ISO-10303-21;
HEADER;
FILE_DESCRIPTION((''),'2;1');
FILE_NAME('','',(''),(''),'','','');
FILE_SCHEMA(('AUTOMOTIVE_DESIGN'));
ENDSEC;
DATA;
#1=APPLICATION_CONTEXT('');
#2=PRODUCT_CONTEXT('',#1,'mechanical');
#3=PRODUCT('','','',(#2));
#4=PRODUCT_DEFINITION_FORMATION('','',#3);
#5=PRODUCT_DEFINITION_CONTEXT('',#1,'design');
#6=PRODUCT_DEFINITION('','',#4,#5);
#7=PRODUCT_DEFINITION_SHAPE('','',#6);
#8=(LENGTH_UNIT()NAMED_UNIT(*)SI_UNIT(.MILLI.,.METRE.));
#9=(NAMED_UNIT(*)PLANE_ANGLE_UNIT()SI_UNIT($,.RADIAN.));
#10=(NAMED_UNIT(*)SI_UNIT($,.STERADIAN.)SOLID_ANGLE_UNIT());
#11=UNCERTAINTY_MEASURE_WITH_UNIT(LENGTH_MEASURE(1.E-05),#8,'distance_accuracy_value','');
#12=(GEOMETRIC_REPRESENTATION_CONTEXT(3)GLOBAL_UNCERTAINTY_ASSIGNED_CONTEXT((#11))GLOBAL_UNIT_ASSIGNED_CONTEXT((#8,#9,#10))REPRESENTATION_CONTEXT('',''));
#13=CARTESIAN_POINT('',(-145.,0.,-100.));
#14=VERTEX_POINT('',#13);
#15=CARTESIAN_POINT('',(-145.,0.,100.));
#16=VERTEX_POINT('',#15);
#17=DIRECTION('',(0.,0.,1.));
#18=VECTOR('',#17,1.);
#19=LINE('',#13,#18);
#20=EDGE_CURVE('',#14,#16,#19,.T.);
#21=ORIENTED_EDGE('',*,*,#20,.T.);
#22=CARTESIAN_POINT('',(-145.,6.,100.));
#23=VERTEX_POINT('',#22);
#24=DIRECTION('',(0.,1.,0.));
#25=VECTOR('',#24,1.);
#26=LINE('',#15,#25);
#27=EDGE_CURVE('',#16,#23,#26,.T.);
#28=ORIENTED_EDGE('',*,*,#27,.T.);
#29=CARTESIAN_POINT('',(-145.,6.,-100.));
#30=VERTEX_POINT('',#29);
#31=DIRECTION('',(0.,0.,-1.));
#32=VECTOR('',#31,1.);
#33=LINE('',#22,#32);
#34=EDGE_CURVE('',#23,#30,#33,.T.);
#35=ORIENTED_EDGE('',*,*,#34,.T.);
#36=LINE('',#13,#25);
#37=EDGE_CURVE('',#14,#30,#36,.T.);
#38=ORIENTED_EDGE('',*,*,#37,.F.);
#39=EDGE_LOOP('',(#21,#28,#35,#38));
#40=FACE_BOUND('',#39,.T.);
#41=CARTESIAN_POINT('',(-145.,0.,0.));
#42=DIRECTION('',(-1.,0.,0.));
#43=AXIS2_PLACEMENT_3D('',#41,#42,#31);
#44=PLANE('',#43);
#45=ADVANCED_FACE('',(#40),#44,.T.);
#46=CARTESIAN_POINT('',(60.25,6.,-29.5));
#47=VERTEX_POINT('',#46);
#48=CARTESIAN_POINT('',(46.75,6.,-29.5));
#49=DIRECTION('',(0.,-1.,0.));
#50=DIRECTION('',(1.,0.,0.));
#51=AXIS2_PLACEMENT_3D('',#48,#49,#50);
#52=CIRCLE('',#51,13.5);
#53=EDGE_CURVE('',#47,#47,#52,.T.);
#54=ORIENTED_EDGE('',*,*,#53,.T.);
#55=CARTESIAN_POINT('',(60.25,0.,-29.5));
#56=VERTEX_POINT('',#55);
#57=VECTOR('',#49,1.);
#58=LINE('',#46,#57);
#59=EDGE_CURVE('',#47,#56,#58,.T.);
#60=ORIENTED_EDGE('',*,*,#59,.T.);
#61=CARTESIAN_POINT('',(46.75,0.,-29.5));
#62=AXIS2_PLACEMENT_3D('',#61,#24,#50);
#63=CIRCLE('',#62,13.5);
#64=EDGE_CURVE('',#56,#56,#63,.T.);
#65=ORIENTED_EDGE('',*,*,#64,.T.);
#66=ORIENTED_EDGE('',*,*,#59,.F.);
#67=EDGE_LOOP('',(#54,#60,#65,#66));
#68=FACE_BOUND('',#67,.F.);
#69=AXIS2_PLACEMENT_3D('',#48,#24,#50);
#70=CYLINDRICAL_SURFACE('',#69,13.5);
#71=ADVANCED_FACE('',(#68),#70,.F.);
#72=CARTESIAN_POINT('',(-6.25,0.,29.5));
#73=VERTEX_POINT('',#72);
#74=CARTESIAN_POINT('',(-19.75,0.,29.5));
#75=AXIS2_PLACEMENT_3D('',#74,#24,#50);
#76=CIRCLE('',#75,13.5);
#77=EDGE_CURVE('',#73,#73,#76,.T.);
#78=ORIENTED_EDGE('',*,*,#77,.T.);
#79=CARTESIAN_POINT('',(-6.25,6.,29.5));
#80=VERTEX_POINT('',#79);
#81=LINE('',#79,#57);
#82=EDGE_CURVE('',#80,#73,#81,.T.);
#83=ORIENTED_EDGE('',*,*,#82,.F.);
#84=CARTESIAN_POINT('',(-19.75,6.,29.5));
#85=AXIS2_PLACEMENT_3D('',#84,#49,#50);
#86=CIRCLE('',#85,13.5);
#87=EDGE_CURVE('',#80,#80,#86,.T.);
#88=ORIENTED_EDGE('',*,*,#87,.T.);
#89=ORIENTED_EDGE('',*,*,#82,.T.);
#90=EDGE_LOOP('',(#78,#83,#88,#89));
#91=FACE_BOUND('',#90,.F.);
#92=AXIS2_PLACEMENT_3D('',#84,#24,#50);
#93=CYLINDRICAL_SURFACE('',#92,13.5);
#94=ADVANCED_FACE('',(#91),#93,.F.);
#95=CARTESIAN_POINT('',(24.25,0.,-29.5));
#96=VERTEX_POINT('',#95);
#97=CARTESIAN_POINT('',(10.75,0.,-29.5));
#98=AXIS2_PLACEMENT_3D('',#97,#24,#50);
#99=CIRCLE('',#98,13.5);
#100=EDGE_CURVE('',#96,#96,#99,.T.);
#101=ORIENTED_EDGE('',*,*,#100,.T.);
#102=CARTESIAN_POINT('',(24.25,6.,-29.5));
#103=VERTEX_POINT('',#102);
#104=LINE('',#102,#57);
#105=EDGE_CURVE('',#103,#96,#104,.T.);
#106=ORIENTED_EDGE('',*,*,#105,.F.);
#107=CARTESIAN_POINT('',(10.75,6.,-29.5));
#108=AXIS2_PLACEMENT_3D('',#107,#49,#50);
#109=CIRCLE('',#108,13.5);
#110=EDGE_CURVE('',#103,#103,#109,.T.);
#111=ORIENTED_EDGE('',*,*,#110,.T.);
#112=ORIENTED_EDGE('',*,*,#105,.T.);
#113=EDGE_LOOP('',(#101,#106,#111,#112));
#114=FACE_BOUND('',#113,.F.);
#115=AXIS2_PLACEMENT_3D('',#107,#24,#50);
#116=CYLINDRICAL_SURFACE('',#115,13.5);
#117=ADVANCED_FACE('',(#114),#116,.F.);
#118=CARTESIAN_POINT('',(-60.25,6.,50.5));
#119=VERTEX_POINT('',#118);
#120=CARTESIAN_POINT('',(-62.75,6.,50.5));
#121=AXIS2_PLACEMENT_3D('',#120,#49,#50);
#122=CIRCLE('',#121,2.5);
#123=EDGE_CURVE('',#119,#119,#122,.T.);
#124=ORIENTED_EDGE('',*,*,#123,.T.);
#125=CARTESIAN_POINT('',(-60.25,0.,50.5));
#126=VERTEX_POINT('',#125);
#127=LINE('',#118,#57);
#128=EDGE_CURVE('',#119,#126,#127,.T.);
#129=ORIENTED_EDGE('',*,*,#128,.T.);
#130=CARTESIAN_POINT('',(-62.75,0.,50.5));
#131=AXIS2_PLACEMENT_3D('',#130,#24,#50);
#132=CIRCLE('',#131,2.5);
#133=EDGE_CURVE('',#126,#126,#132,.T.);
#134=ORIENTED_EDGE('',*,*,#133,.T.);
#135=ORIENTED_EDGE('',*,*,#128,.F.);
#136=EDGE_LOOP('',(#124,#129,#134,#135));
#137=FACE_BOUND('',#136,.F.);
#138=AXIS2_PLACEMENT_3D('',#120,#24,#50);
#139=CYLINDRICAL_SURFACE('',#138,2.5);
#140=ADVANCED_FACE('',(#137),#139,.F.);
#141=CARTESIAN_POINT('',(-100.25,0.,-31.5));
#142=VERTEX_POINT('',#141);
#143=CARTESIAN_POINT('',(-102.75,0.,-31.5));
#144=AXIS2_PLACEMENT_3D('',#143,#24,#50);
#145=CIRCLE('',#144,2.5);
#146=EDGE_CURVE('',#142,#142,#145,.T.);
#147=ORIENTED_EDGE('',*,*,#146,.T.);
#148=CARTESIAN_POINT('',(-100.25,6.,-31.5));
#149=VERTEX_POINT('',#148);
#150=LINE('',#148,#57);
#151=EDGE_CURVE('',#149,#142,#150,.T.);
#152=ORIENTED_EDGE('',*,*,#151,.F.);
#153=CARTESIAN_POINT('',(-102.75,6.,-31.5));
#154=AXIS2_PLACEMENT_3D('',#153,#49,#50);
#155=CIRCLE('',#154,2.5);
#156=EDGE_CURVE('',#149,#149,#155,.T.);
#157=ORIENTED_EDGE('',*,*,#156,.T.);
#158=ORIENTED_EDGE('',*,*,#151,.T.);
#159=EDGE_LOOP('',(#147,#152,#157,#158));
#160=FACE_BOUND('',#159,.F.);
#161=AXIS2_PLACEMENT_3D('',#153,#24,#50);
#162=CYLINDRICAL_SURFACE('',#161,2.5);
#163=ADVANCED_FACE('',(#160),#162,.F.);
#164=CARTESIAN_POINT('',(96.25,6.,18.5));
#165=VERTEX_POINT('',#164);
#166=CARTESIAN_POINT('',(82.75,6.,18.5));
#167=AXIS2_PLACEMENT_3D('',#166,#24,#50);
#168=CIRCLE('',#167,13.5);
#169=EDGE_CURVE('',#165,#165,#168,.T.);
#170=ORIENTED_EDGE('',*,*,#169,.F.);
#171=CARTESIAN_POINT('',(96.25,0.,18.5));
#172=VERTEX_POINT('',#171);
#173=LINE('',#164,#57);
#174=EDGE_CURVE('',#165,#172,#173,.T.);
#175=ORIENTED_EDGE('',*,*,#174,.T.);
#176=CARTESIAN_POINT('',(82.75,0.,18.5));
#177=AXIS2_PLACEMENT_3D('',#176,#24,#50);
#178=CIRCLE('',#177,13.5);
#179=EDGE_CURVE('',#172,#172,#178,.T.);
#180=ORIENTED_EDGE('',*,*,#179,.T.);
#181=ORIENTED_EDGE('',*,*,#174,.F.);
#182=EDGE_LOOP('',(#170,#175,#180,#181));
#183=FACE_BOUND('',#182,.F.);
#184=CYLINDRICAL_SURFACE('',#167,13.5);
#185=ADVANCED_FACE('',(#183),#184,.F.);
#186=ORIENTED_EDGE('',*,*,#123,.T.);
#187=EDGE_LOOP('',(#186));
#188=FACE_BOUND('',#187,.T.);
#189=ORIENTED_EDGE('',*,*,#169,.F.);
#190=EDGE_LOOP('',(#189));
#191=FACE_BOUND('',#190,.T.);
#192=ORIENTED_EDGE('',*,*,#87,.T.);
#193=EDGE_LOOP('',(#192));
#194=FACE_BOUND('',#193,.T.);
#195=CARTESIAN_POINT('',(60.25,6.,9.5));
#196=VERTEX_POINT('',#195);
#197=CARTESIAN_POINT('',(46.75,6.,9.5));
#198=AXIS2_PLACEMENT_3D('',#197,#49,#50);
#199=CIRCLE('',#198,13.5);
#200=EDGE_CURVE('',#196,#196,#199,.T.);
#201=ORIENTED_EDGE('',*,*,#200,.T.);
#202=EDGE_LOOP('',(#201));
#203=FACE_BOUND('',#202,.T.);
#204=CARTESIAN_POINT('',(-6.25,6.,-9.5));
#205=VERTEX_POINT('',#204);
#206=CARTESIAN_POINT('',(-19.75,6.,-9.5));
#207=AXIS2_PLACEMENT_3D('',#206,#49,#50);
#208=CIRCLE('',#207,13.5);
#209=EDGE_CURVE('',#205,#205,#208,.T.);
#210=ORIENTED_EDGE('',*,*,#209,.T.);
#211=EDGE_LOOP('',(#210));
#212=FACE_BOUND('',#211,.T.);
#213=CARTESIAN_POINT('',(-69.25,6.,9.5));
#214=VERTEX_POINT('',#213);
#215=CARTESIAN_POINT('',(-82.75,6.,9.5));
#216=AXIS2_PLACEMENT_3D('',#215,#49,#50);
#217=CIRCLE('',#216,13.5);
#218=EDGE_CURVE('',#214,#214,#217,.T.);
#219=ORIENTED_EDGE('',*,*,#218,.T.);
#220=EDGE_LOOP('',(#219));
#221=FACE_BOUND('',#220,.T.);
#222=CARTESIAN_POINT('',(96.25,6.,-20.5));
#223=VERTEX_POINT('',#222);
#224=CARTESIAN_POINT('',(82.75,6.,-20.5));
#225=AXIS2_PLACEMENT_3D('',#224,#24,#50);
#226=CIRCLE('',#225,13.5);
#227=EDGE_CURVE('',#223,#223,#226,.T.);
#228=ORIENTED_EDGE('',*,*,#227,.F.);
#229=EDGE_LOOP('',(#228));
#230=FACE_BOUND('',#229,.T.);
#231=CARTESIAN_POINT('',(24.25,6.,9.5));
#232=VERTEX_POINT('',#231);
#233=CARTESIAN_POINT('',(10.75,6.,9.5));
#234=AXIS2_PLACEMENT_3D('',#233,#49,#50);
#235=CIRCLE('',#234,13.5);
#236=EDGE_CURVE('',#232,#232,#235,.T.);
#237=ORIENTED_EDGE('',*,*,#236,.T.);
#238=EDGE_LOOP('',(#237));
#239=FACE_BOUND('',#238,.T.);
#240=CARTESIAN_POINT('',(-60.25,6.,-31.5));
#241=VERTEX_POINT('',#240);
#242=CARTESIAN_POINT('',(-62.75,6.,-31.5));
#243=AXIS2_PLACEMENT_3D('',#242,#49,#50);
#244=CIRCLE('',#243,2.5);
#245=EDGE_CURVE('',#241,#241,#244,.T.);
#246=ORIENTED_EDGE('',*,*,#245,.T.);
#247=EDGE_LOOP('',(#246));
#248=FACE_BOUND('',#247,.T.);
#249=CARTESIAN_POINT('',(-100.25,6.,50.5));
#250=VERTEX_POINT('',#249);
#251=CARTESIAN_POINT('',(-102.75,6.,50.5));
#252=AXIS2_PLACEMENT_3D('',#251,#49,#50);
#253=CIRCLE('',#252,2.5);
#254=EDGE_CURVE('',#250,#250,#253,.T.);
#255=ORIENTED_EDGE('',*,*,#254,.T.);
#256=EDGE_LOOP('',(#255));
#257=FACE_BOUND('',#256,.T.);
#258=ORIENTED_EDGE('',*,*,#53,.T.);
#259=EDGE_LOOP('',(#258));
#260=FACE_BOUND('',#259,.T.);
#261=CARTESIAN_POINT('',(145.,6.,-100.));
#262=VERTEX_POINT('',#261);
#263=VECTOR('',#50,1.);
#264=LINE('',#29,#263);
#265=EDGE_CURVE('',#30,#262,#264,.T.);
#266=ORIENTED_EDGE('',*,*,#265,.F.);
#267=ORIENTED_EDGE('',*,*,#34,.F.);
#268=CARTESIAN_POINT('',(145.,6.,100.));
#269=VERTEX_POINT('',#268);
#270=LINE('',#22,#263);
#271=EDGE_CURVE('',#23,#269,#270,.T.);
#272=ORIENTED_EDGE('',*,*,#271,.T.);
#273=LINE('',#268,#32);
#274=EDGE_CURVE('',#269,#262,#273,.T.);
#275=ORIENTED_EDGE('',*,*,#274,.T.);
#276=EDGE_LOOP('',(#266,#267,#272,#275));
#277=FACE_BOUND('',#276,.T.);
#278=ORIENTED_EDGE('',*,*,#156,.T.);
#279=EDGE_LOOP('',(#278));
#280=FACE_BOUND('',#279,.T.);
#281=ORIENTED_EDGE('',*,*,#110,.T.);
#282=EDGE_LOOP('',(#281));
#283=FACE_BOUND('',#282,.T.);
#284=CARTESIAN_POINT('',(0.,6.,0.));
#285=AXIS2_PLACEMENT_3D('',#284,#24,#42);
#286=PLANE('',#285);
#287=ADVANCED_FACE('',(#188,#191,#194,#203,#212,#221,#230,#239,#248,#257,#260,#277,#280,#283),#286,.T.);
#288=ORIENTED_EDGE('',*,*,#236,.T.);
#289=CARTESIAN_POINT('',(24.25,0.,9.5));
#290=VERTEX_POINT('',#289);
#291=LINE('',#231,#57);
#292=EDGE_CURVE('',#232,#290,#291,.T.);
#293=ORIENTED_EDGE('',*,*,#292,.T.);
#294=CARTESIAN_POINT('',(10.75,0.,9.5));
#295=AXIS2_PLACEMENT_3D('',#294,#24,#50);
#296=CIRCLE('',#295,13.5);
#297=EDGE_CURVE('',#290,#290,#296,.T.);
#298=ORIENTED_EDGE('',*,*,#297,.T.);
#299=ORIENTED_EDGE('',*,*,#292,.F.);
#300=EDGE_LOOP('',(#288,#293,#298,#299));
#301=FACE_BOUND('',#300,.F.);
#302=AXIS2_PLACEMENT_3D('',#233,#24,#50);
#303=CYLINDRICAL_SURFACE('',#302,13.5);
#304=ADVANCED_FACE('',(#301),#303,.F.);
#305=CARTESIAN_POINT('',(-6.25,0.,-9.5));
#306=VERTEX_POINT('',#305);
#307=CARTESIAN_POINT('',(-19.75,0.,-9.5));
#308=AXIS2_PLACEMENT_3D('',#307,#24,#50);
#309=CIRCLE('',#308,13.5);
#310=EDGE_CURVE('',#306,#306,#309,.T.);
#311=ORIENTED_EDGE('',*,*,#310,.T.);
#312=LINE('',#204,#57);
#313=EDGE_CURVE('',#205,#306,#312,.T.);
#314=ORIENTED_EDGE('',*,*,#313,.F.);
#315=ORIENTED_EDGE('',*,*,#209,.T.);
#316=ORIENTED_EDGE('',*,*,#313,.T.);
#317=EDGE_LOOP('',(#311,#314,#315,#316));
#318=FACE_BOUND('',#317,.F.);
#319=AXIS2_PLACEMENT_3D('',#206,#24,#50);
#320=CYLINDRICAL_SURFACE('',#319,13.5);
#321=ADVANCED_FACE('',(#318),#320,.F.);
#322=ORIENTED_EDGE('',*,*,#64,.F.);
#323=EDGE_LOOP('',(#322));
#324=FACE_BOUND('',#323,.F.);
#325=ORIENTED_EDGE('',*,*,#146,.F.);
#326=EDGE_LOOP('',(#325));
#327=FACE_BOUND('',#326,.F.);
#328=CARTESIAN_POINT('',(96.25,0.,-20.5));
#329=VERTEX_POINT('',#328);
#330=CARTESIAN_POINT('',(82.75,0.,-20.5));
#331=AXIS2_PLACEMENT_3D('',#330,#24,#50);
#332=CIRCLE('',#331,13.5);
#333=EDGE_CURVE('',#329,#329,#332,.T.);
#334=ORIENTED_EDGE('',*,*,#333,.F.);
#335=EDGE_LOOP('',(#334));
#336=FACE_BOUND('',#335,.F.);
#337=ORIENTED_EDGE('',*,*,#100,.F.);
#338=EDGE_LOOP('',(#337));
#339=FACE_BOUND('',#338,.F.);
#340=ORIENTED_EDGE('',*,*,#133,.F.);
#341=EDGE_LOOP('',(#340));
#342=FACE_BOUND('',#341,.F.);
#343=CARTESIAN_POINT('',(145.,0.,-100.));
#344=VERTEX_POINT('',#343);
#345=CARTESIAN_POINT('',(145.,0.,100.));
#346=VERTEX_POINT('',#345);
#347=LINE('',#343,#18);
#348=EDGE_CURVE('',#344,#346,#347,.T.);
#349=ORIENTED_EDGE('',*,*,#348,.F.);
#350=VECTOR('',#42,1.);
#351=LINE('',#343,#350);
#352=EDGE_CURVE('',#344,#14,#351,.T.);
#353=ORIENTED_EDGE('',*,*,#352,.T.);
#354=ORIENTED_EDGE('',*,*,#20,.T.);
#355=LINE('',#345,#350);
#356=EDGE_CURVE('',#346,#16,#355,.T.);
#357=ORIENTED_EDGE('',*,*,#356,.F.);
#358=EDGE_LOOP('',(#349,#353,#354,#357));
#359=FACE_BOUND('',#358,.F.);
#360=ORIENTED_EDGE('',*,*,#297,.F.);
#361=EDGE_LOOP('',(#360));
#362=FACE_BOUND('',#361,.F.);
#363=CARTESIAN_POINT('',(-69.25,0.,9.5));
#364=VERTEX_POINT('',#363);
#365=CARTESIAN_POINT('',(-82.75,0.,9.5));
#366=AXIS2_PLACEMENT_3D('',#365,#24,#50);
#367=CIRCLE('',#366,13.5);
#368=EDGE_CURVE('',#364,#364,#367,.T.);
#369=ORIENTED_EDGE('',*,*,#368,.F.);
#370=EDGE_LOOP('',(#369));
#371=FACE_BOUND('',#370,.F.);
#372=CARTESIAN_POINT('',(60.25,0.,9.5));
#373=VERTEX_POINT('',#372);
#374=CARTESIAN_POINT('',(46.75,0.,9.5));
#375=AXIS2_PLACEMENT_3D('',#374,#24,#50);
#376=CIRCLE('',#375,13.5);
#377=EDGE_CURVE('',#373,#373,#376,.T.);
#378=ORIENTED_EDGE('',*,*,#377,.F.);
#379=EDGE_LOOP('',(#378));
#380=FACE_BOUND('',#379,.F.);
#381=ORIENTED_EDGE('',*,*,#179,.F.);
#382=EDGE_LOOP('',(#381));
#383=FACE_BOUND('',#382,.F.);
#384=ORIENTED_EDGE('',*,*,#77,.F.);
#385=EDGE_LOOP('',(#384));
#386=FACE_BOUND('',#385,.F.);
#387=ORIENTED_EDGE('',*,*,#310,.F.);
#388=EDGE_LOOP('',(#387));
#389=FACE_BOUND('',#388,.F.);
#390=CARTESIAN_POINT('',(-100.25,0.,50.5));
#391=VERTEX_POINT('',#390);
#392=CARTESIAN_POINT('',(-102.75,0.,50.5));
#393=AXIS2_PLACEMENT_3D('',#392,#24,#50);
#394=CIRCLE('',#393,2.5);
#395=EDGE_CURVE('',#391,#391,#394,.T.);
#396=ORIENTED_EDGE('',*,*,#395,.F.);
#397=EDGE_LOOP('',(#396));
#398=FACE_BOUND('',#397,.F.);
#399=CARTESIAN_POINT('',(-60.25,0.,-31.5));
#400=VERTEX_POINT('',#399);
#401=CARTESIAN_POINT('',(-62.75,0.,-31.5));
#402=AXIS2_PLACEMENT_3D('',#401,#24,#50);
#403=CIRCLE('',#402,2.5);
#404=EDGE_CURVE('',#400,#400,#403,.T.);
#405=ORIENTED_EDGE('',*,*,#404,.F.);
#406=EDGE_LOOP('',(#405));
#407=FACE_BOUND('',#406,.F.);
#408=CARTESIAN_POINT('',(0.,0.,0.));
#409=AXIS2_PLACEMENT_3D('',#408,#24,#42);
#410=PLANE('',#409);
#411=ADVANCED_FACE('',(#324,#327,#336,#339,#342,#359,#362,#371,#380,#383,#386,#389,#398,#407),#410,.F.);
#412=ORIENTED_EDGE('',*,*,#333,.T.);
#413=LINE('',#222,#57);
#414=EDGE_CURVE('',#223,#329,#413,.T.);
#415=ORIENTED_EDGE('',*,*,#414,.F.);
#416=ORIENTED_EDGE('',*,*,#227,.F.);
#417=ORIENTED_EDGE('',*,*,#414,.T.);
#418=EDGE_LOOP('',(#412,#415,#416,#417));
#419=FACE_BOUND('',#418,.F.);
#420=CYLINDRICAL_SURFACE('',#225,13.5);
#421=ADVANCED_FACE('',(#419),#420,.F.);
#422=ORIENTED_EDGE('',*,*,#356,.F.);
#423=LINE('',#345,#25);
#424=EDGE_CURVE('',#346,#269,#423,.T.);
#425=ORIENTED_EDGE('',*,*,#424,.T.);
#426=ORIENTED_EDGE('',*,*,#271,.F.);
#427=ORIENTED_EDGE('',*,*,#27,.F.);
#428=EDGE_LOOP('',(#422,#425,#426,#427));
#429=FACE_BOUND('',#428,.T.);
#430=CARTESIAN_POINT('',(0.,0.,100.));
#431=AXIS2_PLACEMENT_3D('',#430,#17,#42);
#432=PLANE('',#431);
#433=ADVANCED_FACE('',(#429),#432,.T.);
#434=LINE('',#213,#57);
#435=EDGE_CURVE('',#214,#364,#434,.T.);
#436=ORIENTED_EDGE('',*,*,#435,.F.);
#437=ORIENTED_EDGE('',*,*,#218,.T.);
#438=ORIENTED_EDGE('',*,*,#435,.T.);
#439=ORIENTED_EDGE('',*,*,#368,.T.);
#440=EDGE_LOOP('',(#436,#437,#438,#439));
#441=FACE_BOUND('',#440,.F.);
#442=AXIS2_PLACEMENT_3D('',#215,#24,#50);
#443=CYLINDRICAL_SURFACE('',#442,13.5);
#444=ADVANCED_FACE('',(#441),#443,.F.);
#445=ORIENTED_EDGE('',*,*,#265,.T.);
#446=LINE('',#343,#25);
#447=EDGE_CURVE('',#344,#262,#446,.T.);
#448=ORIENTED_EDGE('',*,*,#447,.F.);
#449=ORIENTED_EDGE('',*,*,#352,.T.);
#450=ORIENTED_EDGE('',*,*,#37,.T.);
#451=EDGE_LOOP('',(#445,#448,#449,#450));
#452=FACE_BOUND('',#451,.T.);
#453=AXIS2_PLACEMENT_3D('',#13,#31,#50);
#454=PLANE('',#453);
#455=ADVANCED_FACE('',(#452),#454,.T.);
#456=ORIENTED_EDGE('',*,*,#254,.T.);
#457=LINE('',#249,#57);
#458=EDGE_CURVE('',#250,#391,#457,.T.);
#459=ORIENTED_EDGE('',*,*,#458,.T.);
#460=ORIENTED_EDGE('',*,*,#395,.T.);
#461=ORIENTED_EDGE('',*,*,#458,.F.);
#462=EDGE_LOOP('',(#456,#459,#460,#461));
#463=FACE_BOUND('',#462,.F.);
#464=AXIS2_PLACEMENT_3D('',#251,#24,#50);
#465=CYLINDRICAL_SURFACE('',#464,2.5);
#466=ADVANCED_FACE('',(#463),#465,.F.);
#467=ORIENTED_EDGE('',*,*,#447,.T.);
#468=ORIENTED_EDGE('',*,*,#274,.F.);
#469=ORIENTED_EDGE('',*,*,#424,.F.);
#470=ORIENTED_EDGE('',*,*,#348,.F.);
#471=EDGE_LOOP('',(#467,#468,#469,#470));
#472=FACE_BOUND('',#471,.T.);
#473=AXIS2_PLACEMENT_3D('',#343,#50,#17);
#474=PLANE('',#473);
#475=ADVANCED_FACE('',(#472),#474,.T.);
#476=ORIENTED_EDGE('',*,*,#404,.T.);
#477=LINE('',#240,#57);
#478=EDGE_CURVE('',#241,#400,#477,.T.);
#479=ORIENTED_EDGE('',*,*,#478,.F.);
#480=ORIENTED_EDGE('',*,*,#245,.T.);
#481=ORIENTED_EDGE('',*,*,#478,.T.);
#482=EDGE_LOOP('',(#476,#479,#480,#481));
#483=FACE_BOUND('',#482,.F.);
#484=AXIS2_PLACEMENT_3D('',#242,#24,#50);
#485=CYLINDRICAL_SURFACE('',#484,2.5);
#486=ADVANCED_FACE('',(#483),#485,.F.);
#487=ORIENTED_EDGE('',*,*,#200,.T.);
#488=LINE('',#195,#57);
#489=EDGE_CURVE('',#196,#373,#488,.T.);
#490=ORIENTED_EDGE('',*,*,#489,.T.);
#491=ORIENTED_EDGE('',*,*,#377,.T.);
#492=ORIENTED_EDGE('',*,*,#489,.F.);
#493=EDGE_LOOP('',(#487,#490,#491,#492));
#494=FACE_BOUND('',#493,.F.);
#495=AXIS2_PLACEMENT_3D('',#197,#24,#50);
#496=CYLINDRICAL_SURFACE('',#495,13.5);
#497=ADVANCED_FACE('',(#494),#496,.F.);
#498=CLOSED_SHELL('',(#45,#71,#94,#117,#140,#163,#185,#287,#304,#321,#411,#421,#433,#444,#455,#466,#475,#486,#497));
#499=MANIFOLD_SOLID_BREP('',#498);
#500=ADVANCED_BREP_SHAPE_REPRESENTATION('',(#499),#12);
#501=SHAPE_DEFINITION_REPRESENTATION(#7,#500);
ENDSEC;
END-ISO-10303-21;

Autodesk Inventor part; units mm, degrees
ref_plane "YZ Plane" through (0, 0, 0) normal (1, 0, 0) x (0, 1, 0)
ref_plane "XZ Plane" through (0, 0, 0) normal (0, 1, 0) x (-1, 0, 0)
ref_plane "XY Plane" through (0, 0, 0) normal (0, 0, 1) x (1, 0, 0)
sketch "Sketch1" plane through (0, 0, 0) normal (0, 1, 0) x (-1, 0, 0)
  line L0 (145, -100) -> (-145, -100)
  line L1 (-145, -100) -> (-145, 100)
  line L2 (-145, 100) -> (145, 100)
  line L3 (145, 100) -> (145, -100)
  line L4 (210, 0) -> (-210, 0) projected
  line L5 (0, -140) -> (0, 140) projected
  point P0 (0, 0)
  dimension "d30" = 290
  dimension "d31" = 200
extrude "Extrusion1" add sketch "Sketch1" along normal blind 6
sketch "Sketch2" plane through (0, 6, 0) normal (0, 1, 0) x (1, 0, 0)
  circle A0 centre (-19.75, -29.5) radius 13.5
  circle A1 centre (-82.75, -9.5) radius 13.5
  circle A2 centre (-19.75, 9.5) radius 13.5
  circle A3 centre (46.75, 29.5) radius 13.5
  circle A4 centre (82.75, 20.5) radius 13.5
  circle A5 centre (10.75, 29.5) radius 13.5
  circle A6 centre (10.75, -9.5) radius 13.5
  circle A7 centre (46.75, -9.5) radius 13.5
  circle A8 centre (82.75, -18.5) radius 13.5
  line L0 (-96.25, 43) -> (96.25, 43)
  line L1 (96.25, 43) -> (96.25, -43)
  line L2 (96.25, -43) -> (-96.25, -43)
  line L3 (-96.25, -43) -> (-96.25, 43)
  line L4 (145, 100) -> (-145, 100) projected
  line L5 (145, -100) -> (145, 100) projected
  line L6 (0, 140) -> (0, -140) projected
  line L7 (-210, 0) -> (210, 0) projected
  line L8 (-102.75, 31.5) -> (-62.75, 31.5)
  line L9 (-62.75, 31.5) -> (-62.75, -50.5)
  line L10 (-62.75, -50.5) -> (-102.75, -50.5)
  line L11 (-102.75, -50.5) -> (-102.75, 31.5)
  circle A9 centre (-102.75, 31.5) radius 2.5
  circle A10 centre (-62.75, 31.5) radius 2.5
  circle A11 centre (-102.75, -50.5) radius 2.5
  circle A12 centre (-62.75, -50.5) radius 2.5
  dimension "d3" = 27
  dimension "d19" = 30.5
  dimension "d20" = 36
  dimension "d23" = 19
  dimension "d24" = 9
  dimension "d25" = 36
  dimension "d26" = 11
  dimension "d27" = 9
  dimension "d28" = 11
  dimension "d29" = 63
  dimension "d35" = 41
  dimension "d36" = 41
  dimension "d37" = 20
  dimension "d38" = 20
  dimension "d39" = 5
  dimension "d40" = 5
  dimension "d41" = 5
  dimension "d42" = 5
extrude "Extrusion2" cut sketch "Sketch2" against normal blind 30 contours A0 | A8 | L6 A6 L7 | A6 L6 | A12 L10 L9 | L9 L10 A12 | A1 L7 | L7 A1 | L7 A2 | A2 L7 | A10 L8 L9 | L9 L8 A10 | A4 | A3 | A6 L7 | A11 L11 L10 | L10 L11 A11 | L7 A7 | A7 L7 | L6 A5 | A5 L6 | A9 L11 L8 | L8 L11 A9 picked at (6.7806, -6.3333)
equation "\"d30\" = BoxLength"
equation "\"d31\" = BoxWidth"
equation "\"d3\" = JS_Hole_dia"
equation "\"d36\" = 0.5 * JS_SH_L"
equation "\"d37\" = 0.5 * JS_SH_W"
equation "\"d38\" = 0.5 * JS_SH_W"
equation "\"d39\" = JS_SH_dia"
equation "\"d40\" = JS_SH_dia"
equation "\"d41\" = JS_SH_dia"
equation "\"d42\" = JS_SH_dia"
equation "\"BoxLength\" = 290"
equation "\"BoxWidth\" = 200"
equation "\"JS_SH_L\" = 82"
equation "\"JS_SH_dia\" = 5"
equation "\"SheetThickness\" = 6"
equation "\"CornerOffset\" = 5"
equation "\"NutS\" = 5.7"
equation "\"NutThreadD2\" = 4.17"
equation "\"SideNutWidth\" = 2.5"
equation "\"JS_Hole_dia\" = 27"
equation "\"JS_SH_W\" = 40"
properties part number "sega_straight_b1_v1"
